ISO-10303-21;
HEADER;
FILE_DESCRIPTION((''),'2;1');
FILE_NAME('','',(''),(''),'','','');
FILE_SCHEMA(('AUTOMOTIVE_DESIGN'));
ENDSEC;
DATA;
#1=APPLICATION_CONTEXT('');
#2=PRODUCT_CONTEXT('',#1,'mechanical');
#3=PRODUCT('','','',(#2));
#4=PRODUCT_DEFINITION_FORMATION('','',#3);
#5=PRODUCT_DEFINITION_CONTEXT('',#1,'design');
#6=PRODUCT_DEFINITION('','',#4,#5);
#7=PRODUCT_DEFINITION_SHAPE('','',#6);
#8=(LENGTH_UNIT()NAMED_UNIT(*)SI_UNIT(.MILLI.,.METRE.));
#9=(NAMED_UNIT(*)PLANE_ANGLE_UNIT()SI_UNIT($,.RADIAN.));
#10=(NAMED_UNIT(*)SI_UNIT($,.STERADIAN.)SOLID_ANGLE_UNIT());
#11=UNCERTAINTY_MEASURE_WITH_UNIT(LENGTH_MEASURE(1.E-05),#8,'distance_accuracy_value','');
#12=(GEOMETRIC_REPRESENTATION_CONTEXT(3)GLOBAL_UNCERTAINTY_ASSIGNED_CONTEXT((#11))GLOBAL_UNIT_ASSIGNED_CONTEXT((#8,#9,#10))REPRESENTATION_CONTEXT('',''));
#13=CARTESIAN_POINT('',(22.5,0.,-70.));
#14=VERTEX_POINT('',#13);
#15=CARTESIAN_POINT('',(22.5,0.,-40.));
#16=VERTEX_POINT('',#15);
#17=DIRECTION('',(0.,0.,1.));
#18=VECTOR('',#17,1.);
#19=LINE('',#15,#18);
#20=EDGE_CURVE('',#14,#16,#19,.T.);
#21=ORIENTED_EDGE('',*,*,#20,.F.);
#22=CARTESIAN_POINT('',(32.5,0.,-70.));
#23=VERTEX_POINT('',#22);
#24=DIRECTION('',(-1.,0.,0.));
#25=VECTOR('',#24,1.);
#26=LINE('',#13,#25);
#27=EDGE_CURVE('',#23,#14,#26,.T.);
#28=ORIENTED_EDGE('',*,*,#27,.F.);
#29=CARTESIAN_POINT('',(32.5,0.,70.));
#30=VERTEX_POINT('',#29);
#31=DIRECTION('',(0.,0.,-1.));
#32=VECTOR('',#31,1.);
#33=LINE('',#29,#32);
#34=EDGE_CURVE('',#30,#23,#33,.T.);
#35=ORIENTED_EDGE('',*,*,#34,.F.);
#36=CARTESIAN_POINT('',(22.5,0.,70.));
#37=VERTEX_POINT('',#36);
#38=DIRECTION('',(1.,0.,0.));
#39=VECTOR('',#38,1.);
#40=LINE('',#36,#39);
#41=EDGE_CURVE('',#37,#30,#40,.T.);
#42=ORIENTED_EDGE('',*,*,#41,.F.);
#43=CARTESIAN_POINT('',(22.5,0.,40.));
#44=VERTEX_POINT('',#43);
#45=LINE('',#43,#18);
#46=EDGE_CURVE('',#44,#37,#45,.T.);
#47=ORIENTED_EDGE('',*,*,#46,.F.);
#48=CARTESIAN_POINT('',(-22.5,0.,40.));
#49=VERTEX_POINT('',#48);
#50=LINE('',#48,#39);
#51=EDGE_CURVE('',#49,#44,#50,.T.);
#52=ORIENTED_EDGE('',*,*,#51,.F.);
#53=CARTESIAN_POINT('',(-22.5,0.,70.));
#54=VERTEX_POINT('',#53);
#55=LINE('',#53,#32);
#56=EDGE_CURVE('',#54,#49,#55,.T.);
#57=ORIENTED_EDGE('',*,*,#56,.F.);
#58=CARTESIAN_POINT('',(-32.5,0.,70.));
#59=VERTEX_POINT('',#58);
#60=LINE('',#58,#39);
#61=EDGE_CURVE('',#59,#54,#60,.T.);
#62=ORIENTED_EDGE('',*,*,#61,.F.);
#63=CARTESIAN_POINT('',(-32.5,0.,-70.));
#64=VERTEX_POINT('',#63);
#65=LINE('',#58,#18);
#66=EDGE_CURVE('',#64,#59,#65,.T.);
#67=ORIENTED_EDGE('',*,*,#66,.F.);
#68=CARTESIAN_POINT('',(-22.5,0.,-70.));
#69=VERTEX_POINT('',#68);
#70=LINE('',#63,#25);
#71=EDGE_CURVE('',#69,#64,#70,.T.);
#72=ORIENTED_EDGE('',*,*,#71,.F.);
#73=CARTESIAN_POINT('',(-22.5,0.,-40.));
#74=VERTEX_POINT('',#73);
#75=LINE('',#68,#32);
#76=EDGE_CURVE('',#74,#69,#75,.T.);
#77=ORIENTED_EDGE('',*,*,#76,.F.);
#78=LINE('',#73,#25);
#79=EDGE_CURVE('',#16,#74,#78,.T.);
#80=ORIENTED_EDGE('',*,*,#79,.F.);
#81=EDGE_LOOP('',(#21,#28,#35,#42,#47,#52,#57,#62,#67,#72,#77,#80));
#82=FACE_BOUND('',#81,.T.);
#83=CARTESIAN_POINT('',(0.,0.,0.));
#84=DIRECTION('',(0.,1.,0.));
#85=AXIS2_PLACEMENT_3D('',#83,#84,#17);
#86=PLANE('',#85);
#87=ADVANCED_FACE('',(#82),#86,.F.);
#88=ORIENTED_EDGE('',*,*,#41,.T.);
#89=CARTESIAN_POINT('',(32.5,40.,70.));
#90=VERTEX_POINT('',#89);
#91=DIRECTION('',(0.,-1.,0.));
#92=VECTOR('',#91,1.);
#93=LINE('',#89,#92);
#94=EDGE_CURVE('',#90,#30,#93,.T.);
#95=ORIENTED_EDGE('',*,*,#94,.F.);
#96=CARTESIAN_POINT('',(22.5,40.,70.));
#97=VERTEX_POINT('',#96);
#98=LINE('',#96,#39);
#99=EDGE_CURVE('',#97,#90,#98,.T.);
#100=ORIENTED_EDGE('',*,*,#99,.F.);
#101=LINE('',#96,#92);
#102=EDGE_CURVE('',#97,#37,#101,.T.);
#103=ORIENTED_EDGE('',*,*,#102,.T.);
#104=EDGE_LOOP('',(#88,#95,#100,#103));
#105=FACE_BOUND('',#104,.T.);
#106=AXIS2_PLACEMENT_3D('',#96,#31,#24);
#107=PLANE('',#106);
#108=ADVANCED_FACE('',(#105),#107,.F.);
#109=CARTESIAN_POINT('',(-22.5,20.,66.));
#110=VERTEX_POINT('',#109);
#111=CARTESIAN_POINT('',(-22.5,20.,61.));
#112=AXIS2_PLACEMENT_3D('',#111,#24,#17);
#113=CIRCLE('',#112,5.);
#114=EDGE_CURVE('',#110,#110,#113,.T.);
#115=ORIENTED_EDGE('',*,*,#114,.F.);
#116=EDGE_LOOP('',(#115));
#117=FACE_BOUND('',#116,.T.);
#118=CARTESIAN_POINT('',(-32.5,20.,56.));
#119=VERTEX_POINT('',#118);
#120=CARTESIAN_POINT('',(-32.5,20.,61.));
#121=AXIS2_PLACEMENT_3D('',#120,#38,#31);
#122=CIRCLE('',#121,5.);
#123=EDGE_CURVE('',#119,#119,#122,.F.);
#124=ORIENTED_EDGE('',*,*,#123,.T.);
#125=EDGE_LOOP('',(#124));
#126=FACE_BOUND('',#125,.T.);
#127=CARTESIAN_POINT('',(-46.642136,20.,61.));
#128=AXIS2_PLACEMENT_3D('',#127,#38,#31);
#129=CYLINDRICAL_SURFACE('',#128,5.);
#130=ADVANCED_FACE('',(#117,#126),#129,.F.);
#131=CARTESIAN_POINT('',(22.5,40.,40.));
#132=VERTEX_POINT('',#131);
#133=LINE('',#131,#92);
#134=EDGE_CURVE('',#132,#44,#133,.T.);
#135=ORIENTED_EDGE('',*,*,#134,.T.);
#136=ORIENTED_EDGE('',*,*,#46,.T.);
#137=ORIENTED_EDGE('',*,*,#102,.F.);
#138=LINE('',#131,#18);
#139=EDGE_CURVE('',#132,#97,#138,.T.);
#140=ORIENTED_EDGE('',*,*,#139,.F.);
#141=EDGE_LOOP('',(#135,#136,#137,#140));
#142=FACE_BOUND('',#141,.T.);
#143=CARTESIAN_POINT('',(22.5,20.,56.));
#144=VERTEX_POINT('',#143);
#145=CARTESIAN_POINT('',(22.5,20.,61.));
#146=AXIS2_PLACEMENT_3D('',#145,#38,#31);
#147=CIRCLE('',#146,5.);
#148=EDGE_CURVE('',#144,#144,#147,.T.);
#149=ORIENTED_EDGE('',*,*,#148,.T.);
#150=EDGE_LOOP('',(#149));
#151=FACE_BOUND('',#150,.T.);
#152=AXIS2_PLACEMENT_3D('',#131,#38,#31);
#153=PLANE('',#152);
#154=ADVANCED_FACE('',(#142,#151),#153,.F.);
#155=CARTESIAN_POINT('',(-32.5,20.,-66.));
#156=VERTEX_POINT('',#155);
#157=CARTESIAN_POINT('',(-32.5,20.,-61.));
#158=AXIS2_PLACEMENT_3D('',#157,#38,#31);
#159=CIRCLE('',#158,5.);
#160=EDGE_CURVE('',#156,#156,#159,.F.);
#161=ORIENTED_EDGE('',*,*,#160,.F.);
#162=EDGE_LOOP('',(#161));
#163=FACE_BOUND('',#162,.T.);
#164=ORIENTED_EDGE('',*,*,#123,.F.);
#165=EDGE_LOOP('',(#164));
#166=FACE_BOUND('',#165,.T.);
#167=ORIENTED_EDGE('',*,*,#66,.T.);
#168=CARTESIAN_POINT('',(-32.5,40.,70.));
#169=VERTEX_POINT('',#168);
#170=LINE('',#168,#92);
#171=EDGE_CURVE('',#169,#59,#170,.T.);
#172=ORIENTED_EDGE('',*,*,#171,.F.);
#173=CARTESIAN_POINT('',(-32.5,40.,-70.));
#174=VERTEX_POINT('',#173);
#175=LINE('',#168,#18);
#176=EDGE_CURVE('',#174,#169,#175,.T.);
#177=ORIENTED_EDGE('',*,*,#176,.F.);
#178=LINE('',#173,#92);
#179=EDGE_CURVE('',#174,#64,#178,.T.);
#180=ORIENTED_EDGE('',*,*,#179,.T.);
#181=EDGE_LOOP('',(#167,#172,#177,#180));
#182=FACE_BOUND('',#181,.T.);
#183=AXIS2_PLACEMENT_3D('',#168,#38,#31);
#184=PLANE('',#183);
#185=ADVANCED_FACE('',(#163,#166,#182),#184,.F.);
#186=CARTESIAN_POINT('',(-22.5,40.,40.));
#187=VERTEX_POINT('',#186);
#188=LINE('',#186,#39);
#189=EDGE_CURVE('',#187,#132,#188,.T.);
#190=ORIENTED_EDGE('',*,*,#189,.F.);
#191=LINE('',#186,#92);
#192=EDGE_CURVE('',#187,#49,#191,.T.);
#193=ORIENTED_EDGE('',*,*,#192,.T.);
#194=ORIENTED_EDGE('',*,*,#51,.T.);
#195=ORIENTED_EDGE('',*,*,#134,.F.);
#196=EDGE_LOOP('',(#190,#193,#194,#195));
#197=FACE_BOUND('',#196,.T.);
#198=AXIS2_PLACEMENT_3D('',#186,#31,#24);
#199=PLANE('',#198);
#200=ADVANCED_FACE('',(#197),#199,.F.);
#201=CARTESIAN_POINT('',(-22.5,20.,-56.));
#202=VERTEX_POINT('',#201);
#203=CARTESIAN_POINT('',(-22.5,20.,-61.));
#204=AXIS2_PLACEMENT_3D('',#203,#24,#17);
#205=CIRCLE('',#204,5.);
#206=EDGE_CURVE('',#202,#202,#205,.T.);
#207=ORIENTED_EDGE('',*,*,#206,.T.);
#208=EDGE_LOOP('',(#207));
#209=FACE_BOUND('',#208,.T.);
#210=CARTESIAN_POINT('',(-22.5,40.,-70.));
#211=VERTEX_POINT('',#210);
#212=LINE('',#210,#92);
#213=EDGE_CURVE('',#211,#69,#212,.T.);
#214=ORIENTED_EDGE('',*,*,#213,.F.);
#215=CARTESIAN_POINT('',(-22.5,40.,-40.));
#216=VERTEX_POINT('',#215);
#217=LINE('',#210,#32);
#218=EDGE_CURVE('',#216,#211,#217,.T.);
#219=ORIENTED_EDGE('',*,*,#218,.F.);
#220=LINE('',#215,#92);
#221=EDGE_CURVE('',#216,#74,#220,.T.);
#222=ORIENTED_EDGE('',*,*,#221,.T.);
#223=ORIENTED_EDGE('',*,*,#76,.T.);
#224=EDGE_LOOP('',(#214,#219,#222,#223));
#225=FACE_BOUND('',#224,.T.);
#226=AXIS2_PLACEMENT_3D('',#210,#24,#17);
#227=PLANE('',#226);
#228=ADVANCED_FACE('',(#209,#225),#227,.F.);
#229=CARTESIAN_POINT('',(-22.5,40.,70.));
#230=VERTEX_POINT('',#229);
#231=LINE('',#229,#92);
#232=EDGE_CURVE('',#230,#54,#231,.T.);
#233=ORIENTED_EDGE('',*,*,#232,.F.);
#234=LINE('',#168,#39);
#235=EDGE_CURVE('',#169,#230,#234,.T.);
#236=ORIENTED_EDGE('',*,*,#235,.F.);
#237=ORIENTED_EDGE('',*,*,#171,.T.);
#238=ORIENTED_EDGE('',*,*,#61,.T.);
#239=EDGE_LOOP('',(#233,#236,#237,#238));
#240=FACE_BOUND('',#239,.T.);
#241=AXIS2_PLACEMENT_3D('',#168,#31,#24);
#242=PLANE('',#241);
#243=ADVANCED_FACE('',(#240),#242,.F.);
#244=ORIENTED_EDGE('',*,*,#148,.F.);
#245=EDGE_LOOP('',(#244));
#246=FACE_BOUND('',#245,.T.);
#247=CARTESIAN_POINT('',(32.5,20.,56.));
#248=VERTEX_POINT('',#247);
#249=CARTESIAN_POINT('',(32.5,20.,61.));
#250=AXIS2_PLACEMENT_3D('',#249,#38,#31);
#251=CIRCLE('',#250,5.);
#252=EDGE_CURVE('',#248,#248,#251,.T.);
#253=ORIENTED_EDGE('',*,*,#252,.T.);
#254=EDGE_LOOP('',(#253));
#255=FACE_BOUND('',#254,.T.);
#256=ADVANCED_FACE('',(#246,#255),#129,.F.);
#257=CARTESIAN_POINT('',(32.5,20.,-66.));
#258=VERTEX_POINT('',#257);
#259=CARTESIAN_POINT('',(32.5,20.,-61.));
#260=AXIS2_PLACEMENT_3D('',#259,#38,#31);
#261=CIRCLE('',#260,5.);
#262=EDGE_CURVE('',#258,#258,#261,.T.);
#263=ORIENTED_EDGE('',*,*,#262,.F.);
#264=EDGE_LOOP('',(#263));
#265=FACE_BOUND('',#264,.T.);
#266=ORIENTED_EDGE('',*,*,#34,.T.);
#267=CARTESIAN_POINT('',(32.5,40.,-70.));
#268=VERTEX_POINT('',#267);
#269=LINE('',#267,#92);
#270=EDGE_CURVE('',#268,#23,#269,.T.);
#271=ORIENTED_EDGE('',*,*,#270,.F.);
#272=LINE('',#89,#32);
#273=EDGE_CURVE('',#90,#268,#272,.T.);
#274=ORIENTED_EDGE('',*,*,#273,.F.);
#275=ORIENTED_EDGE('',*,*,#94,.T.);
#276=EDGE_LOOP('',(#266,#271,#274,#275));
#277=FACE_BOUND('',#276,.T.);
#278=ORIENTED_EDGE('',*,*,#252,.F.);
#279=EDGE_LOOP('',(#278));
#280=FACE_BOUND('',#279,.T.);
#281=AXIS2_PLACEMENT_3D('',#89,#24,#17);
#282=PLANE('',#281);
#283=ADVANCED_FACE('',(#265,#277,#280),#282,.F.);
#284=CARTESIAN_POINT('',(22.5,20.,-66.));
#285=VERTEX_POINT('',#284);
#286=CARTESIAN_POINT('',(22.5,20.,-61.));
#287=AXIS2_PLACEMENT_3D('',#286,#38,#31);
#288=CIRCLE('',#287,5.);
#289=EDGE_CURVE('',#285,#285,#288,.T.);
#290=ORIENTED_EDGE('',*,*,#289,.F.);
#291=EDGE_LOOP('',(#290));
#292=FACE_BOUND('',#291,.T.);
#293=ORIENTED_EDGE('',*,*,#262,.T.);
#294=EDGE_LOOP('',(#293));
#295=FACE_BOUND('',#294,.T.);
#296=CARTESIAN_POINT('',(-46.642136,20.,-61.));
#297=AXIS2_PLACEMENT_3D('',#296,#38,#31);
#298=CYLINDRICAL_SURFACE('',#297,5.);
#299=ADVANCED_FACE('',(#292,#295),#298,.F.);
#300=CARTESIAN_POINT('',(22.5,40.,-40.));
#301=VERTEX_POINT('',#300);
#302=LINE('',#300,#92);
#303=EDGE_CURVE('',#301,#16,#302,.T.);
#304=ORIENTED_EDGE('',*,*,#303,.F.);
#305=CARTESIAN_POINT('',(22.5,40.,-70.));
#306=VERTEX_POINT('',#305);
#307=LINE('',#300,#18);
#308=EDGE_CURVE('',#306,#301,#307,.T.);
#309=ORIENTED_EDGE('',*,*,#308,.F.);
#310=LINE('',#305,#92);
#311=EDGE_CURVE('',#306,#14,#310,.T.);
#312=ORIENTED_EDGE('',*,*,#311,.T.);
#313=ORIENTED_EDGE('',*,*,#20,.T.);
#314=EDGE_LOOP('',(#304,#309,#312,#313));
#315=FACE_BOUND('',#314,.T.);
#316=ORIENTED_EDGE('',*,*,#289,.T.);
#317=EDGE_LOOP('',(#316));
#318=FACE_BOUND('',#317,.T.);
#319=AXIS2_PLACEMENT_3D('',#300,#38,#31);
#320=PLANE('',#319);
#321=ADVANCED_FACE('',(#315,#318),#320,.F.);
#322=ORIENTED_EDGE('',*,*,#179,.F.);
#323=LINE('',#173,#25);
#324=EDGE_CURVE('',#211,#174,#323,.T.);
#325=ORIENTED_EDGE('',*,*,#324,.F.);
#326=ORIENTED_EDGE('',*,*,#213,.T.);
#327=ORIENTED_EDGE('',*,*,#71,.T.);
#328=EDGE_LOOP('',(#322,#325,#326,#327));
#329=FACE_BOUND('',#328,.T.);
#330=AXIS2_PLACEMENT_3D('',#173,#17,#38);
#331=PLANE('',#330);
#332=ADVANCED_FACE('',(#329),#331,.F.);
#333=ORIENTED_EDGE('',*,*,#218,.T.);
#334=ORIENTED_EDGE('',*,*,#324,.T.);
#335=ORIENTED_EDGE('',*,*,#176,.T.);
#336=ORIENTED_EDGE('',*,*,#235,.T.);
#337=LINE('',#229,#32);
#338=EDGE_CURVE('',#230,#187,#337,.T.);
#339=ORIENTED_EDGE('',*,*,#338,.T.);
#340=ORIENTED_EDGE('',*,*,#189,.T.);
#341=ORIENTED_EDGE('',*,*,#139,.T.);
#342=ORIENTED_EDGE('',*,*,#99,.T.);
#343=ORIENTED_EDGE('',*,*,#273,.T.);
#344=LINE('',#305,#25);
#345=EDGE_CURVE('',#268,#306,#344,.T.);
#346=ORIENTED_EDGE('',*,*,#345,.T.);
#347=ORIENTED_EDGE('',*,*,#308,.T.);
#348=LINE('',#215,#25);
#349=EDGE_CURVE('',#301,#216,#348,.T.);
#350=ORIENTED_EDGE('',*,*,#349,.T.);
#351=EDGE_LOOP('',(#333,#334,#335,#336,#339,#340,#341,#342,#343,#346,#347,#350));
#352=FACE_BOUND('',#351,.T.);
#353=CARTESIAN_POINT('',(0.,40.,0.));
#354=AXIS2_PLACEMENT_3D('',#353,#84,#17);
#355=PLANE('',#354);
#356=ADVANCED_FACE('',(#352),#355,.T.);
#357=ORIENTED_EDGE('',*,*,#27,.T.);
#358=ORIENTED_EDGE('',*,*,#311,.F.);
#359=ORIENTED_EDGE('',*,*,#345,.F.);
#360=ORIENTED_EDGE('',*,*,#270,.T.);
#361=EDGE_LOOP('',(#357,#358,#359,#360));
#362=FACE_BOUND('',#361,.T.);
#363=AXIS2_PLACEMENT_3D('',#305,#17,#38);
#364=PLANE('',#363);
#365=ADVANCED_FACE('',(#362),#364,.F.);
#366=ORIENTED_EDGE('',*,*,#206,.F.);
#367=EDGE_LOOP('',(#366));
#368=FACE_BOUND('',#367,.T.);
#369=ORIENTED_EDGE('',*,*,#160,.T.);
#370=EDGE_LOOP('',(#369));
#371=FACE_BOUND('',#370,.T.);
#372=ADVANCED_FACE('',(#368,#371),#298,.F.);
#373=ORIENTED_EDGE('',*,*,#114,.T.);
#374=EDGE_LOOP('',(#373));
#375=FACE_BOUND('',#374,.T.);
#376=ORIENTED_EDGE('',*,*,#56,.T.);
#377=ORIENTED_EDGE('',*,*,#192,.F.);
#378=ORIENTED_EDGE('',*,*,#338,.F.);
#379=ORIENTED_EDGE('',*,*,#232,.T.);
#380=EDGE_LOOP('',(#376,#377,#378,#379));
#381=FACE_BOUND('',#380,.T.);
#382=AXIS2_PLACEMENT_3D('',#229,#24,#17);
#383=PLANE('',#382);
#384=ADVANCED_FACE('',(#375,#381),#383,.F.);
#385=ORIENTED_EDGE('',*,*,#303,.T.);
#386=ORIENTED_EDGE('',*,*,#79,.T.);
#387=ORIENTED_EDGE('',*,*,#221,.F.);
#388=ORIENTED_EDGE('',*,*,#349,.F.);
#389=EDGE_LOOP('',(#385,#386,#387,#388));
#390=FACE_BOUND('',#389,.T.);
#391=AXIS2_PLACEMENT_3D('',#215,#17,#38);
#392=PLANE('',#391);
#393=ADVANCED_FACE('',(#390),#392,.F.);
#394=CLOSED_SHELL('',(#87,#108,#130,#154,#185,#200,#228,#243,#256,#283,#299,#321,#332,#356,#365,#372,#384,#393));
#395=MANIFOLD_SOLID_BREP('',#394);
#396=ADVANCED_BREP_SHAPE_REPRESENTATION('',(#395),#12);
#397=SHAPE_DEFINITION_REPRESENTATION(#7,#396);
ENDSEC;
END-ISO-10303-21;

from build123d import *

# Parameters (mm, degrees)
BOSS_EXTRUDE1_DEPTH = 40
CUT_EXTRUDE1_REACH  = 105.562
SKETCH3_R           = 5


with BuildPart() as part:
    # Sketch2 → Boss-Extrude1 (new body)
    with BuildSketch(Plane(origin=(0, 0, 0), x_dir=(1, 0, 0), z_dir=(0, 1, 0))):
        Polygon((-22.5, 70), (-22.5, 40), (22.5, 40), (22.5, 70), (32.5, 70), (32.5, -70), (22.5, -70), (22.5, -40), (-22.5, -40), (-22.5, -70), (-32.5, -70), (-32.5, 70), align=None)
    extrude(amount=BOSS_EXTRUDE1_DEPTH)

    # Cut-Extrude1: up to this face of the body (flat: up to its plane)
    cut_extrude1_end = Plane(part.part.faces().sort_by_distance((-32.5, 20, 0))[0])
    # Sketch3 → Cut-Extrude1 (cut, up to the picked face)
    with BuildSketch(Plane(origin=(32.5, 0, 0), x_dir=(0, 0, -1), z_dir=(1, 0, 0)), mode=Mode.PRIVATE) as cut_extrude1_sk1:
        with Locations((-61, 20)):
            Circle(SKETCH3_R)
    cut_extrude1_tool1 = split(extrude(cut_extrude1_sk1.sketch, amount=-CUT_EXTRUDE1_REACH, mode=Mode.PRIVATE), bisect_by=cut_extrude1_end, keep=Keep.BOTH, mode=Mode.PRIVATE)
    # Sketch3 → Cut-Extrude1 (cut, up to the picked face)
    with BuildSketch(Plane(origin=(32.5, 0, 0), x_dir=(0, 0, -1), z_dir=(1, 0, 0)), mode=Mode.PRIVATE) as cut_extrude1_sk2:
        with Locations((61, 20)):
            Circle(SKETCH3_R)
    cut_extrude1_tool2 = split(extrude(cut_extrude1_sk2.sketch, amount=-CUT_EXTRUDE1_REACH, mode=Mode.PRIVATE), bisect_by=cut_extrude1_end, keep=Keep.BOTH, mode=Mode.PRIVATE)
    add(cut_extrude1_tool1.solids().sort_by(Axis((32.5, 20, 61), (-1, 0, 0)))[0], mode=Mode.SUBTRACT)
    add(cut_extrude1_tool2.solids().sort_by(Axis((32.5, 20, -61), (-1, 0, 0)))[0], mode=Mode.SUBTRACT)


solid = part.part
